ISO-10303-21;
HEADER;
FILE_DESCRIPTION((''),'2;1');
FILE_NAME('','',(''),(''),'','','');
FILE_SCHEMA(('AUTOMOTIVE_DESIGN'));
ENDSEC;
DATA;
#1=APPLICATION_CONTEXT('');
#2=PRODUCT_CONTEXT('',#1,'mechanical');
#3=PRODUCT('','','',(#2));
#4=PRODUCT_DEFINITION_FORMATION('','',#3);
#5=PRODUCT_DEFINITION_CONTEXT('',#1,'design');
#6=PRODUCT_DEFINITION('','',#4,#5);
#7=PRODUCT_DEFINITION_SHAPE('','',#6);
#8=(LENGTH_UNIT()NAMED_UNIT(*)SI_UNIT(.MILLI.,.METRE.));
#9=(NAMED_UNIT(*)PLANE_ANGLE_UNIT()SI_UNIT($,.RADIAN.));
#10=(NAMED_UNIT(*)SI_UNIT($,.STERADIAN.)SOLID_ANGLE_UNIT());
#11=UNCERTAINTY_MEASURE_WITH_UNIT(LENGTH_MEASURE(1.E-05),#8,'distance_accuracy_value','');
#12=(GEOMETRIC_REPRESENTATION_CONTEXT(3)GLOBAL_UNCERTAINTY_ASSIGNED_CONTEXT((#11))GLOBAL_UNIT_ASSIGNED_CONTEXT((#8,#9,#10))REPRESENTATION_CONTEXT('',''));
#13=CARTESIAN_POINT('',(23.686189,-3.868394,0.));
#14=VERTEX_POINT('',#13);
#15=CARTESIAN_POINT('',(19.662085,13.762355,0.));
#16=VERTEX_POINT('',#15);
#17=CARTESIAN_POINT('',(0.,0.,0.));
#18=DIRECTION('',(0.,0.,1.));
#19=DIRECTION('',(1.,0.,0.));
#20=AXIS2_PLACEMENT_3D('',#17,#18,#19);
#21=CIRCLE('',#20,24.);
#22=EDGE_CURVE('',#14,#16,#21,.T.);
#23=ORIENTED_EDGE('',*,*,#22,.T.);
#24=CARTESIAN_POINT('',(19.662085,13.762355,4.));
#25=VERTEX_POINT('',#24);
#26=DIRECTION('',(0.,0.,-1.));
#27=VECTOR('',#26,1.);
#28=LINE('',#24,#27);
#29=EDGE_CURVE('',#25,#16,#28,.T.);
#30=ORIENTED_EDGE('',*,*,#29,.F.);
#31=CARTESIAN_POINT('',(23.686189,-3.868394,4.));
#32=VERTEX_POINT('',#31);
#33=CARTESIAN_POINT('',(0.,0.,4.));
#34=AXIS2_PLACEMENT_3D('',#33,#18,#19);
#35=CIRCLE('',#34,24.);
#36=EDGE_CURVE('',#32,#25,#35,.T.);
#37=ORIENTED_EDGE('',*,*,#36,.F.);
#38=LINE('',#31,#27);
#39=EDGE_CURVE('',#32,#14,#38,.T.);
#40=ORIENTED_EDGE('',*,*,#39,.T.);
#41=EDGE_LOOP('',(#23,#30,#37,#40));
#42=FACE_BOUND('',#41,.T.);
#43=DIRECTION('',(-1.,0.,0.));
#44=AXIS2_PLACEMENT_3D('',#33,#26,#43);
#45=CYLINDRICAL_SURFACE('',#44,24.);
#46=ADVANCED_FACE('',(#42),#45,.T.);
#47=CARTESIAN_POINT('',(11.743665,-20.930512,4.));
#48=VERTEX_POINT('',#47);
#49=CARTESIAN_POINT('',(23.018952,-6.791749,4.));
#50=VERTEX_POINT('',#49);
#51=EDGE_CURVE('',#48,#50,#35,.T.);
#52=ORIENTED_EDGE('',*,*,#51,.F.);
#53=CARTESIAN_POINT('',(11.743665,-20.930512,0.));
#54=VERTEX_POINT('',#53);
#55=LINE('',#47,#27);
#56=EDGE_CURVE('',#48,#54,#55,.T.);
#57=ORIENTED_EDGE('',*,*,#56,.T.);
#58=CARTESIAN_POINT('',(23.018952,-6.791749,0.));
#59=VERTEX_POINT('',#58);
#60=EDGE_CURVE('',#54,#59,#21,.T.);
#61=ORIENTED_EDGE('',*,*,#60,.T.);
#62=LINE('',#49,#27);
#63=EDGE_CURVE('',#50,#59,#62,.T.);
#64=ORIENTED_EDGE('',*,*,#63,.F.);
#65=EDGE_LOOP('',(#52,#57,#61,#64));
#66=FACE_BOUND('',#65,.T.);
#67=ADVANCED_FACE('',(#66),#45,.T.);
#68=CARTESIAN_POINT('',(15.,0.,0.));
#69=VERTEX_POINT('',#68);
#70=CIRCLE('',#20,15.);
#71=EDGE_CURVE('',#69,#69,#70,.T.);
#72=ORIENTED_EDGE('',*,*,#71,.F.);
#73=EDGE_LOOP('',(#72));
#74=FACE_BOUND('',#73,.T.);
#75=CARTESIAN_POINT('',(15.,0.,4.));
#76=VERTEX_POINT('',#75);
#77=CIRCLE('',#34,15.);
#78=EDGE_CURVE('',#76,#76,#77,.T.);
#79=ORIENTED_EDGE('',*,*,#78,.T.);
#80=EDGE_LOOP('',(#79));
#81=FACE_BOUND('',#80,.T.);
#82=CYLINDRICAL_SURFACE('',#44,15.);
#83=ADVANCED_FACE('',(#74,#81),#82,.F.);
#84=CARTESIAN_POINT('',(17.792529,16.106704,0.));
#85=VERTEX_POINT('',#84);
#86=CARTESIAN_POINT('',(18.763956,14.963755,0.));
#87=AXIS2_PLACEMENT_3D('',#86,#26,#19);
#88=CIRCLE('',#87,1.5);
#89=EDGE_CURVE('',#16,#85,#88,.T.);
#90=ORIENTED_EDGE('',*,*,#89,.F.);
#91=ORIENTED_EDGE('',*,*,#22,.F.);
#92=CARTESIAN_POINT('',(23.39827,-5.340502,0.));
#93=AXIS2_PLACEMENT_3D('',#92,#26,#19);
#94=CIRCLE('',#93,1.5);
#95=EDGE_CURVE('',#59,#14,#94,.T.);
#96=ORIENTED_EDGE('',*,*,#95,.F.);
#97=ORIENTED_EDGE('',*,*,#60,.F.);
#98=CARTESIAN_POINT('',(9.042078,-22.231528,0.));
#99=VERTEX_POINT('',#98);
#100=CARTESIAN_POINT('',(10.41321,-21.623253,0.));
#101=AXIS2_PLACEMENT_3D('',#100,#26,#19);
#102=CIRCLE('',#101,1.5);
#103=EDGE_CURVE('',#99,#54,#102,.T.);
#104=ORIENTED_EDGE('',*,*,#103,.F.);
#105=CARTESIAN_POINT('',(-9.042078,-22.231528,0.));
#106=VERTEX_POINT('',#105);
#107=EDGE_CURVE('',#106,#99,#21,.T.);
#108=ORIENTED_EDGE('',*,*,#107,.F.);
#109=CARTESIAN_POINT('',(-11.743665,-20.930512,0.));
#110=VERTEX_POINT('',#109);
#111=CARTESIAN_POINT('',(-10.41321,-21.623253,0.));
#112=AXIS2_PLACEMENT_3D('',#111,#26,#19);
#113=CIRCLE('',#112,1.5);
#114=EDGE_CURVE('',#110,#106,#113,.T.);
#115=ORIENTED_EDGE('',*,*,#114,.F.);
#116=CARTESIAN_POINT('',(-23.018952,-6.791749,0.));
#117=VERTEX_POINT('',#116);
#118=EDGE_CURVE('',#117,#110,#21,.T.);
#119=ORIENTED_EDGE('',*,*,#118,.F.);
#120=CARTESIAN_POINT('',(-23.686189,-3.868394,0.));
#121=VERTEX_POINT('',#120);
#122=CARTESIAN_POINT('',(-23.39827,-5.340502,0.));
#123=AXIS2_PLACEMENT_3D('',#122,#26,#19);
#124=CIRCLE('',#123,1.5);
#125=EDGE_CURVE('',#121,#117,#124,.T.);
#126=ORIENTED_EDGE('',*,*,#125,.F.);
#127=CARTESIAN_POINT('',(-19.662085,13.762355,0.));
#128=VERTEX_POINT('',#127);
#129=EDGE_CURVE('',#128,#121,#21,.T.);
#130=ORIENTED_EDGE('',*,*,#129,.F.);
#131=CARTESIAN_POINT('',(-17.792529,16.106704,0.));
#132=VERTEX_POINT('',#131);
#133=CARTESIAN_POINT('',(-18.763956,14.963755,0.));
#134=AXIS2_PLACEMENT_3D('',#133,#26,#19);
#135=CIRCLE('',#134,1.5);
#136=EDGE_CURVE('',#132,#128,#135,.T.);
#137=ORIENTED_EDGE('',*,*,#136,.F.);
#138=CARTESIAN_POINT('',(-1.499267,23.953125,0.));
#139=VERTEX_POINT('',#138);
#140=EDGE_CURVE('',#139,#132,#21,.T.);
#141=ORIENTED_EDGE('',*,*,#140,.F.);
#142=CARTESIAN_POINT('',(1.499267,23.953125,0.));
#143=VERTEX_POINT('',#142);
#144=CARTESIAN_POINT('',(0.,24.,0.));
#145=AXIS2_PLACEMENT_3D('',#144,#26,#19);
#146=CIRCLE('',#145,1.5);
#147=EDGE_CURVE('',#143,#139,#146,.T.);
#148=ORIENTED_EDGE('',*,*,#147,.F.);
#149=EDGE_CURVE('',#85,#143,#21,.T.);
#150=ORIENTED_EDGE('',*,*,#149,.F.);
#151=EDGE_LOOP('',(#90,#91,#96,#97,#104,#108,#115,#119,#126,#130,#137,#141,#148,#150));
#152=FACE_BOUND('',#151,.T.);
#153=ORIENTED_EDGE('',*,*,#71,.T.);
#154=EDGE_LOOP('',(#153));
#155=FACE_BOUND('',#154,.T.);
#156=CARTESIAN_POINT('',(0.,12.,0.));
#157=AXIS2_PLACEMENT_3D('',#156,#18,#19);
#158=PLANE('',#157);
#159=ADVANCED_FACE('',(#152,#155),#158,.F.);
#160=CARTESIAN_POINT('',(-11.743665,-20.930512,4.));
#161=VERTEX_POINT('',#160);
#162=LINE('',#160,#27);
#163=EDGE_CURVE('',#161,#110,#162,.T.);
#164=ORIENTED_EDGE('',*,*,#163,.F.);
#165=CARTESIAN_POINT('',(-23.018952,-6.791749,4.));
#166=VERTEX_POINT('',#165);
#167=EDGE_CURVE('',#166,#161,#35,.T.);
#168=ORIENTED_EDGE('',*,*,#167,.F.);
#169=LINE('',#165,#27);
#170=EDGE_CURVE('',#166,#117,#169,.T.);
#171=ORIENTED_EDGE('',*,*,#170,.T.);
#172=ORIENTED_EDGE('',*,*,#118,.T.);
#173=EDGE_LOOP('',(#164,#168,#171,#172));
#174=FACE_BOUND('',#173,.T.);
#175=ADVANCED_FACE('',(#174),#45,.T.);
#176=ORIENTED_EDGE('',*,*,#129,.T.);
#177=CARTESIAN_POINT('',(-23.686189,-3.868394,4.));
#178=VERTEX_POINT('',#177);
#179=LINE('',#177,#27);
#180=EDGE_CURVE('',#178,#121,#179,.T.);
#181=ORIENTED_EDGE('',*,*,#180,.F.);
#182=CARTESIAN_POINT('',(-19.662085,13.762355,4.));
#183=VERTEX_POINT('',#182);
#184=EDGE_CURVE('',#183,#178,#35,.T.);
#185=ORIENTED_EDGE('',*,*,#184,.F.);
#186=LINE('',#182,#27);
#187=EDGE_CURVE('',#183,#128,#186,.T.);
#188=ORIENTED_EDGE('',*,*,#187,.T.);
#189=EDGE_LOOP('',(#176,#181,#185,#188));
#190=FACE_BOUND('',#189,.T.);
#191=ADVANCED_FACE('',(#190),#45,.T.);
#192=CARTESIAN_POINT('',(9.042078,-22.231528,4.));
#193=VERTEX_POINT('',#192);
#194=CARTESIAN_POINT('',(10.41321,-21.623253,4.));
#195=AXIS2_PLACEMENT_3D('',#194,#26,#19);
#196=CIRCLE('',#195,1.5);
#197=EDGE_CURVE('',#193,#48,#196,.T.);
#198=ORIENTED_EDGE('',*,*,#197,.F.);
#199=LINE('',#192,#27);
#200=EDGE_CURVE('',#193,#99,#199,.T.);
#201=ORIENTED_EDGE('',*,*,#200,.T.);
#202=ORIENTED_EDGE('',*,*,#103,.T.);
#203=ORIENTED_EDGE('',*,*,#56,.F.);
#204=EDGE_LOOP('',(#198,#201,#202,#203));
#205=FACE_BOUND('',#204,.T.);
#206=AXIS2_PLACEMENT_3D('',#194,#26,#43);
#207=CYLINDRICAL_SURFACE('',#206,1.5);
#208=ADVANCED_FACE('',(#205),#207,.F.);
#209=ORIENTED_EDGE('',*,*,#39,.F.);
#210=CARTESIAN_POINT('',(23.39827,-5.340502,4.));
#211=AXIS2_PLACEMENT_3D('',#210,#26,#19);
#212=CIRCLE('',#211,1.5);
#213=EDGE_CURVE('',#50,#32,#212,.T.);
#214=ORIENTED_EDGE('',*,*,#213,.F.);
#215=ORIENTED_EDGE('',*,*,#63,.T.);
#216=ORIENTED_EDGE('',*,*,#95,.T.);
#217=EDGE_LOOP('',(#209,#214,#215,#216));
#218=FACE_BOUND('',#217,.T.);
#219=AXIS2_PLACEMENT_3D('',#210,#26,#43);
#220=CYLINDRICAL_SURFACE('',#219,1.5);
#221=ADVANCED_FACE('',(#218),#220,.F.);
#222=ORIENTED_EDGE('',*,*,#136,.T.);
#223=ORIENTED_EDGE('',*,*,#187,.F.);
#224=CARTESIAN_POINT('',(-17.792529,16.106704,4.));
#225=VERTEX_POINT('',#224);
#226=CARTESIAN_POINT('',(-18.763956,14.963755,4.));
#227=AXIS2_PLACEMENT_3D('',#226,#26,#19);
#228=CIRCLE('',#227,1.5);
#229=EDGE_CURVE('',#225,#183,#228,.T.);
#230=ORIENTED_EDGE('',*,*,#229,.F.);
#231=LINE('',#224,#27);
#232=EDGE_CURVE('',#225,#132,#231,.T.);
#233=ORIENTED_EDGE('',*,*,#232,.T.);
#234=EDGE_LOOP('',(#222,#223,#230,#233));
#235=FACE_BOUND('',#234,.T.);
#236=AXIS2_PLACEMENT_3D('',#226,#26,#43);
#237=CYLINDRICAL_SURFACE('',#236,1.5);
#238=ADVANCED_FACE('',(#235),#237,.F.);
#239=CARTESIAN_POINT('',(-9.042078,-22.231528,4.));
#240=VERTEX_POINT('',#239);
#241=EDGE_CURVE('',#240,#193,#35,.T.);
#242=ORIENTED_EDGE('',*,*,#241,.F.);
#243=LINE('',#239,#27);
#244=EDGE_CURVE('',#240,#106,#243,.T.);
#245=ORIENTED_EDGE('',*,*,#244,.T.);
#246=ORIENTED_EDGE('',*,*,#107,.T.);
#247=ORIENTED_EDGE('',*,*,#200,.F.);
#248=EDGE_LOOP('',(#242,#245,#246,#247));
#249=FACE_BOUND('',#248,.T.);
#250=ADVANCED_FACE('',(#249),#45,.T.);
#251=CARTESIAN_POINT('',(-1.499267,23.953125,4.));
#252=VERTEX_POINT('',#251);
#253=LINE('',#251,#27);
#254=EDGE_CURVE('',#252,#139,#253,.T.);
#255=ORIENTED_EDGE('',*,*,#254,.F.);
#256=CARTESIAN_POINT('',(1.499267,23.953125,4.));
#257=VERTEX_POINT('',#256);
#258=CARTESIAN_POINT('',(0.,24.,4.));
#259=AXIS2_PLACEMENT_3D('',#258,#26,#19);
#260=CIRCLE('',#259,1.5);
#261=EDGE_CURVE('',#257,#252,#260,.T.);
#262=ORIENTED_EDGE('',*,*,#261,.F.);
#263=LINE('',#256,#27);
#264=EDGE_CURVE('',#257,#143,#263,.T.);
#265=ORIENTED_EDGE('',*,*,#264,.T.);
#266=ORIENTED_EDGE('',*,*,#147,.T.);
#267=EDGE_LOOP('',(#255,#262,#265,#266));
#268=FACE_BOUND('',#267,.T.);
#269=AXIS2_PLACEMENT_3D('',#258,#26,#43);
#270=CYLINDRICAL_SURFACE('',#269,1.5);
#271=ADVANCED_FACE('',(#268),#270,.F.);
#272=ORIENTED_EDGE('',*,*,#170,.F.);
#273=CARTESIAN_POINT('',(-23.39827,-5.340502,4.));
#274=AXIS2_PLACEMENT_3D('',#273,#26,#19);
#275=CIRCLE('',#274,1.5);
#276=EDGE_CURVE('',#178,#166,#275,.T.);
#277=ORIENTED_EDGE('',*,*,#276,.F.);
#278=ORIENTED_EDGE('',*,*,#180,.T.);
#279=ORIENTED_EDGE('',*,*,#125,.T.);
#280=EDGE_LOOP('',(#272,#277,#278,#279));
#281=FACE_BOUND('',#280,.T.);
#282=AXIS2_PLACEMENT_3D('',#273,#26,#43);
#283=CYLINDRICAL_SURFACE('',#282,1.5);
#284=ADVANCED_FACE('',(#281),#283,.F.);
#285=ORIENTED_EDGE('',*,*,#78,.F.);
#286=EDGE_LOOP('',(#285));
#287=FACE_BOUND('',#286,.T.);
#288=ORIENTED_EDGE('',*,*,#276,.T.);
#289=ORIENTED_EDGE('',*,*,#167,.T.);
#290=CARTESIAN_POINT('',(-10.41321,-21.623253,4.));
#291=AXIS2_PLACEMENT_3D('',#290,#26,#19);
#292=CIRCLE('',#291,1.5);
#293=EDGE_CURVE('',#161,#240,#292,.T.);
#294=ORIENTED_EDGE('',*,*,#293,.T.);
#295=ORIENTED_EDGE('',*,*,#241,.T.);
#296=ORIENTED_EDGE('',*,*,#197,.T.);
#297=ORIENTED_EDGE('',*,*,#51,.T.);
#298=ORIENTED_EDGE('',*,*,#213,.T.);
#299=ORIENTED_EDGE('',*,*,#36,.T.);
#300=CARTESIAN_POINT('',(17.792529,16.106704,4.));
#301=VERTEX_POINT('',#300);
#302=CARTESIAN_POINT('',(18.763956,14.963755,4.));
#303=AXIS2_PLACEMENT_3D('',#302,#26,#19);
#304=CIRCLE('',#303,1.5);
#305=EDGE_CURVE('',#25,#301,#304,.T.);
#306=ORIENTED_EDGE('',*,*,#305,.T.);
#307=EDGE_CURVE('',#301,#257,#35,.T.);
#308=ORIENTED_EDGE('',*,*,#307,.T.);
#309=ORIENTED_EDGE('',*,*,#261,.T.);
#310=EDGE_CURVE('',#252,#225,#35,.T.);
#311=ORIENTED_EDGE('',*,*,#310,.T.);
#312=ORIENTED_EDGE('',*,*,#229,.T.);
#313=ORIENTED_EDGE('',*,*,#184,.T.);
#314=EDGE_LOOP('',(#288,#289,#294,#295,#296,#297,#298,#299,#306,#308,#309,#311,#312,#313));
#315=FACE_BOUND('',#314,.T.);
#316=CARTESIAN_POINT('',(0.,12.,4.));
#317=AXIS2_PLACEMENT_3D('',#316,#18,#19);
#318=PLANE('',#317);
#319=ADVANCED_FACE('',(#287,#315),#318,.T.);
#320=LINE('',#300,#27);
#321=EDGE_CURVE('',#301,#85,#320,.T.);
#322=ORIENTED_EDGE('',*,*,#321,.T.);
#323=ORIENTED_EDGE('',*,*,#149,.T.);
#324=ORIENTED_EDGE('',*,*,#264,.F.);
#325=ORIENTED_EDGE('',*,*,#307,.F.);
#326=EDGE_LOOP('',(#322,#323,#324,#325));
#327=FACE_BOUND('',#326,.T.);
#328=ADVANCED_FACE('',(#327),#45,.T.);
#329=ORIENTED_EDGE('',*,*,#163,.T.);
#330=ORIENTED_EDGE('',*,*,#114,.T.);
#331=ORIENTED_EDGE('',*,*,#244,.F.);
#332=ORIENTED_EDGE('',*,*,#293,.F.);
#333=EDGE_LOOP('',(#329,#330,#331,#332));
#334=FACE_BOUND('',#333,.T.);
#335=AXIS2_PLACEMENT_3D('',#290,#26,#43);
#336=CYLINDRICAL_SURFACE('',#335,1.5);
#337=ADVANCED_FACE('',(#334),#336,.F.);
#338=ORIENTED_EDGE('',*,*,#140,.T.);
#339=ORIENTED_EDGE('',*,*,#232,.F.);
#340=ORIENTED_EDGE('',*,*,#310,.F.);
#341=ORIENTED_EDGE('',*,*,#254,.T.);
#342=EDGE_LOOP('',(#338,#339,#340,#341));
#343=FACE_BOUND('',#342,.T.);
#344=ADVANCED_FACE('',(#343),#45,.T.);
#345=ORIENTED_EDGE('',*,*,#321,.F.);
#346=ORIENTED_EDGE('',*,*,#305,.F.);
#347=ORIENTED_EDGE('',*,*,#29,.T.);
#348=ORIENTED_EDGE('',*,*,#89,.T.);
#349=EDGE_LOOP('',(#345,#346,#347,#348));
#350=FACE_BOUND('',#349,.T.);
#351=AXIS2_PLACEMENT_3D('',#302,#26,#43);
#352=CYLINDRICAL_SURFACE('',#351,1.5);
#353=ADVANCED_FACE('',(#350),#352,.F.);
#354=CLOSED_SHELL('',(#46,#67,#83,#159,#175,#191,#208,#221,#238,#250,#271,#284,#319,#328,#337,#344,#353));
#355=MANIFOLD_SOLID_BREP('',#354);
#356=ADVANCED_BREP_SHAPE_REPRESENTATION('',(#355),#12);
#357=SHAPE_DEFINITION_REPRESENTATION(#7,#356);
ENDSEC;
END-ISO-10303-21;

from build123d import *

# Parameters (mm, degrees)
SKETCH1_R           = 15
BOSS_EXTRUDE1_DEPTH = 4


with BuildPart() as part:
    # Sketch1 → Boss-Extrude1 (new body)
    with BuildSketch(Plane.XY):
        with BuildLine():
            ThreePointArc((-1.499267399, 23.953125), (-10.413209739, 21.62325283), (-17.792529295, 16.106703613))
            ThreePointArc((-17.792529295, 16.106703613), (-17.591208356, 14.028520542), (-19.662085162, 13.762354707))
            ThreePointArc((-19.662085162, 13.762354707), (-23.398269892, 5.340502415), (-23.686188528, -3.868394111))
            ThreePointArc((-23.686188528, -3.868394111), (-21.935878024, -5.006721014), (-23.018951765, -6.791749381))
            ThreePointArc((-23.018951765, -6.791749381), (-18.763955579, -14.963755245), (-11.74366469, -20.930512169))
            ThreePointArc((-11.74366469, -20.930512169), (-9.76238413, -20.271799528), (-9.042078187, -22.231527659))
            ThreePointArc((-9.042078187, -22.231527659), (0, -24), (9.042078187, -22.231527659))
            ThreePointArc((9.042078187, -22.231527659), (9.76238413, -20.271799528), (11.74366469, -20.930512169))
            ThreePointArc((11.74366469, -20.930512169), (18.763955579, -14.963755245), (23.018951765, -6.791749381))
            ThreePointArc((23.018951765, -6.791749381), (21.935878024, -5.006721014), (23.686188528, -3.868394111))
            ThreePointArc((23.686188528, -3.868394111), (23.398269892, 5.340502415), (19.662085162, 13.762354707))
            ThreePointArc((19.662085162, 13.762354707), (17.591208356, 14.028520542), (17.792529295, 16.106703613))
            ThreePointArc((17.792529295, 16.106703613), (10.413209739, 21.62325283), (1.499267399, 23.953125))
            ThreePointArc((1.499267399, 23.953125), (0, 22.5), (-1.499267399, 23.953125))
        make_face()
        Circle(SKETCH1_R, mode=Mode.SUBTRACT)
    extrude(amount=BOSS_EXTRUDE1_DEPTH)


solid = part.part
